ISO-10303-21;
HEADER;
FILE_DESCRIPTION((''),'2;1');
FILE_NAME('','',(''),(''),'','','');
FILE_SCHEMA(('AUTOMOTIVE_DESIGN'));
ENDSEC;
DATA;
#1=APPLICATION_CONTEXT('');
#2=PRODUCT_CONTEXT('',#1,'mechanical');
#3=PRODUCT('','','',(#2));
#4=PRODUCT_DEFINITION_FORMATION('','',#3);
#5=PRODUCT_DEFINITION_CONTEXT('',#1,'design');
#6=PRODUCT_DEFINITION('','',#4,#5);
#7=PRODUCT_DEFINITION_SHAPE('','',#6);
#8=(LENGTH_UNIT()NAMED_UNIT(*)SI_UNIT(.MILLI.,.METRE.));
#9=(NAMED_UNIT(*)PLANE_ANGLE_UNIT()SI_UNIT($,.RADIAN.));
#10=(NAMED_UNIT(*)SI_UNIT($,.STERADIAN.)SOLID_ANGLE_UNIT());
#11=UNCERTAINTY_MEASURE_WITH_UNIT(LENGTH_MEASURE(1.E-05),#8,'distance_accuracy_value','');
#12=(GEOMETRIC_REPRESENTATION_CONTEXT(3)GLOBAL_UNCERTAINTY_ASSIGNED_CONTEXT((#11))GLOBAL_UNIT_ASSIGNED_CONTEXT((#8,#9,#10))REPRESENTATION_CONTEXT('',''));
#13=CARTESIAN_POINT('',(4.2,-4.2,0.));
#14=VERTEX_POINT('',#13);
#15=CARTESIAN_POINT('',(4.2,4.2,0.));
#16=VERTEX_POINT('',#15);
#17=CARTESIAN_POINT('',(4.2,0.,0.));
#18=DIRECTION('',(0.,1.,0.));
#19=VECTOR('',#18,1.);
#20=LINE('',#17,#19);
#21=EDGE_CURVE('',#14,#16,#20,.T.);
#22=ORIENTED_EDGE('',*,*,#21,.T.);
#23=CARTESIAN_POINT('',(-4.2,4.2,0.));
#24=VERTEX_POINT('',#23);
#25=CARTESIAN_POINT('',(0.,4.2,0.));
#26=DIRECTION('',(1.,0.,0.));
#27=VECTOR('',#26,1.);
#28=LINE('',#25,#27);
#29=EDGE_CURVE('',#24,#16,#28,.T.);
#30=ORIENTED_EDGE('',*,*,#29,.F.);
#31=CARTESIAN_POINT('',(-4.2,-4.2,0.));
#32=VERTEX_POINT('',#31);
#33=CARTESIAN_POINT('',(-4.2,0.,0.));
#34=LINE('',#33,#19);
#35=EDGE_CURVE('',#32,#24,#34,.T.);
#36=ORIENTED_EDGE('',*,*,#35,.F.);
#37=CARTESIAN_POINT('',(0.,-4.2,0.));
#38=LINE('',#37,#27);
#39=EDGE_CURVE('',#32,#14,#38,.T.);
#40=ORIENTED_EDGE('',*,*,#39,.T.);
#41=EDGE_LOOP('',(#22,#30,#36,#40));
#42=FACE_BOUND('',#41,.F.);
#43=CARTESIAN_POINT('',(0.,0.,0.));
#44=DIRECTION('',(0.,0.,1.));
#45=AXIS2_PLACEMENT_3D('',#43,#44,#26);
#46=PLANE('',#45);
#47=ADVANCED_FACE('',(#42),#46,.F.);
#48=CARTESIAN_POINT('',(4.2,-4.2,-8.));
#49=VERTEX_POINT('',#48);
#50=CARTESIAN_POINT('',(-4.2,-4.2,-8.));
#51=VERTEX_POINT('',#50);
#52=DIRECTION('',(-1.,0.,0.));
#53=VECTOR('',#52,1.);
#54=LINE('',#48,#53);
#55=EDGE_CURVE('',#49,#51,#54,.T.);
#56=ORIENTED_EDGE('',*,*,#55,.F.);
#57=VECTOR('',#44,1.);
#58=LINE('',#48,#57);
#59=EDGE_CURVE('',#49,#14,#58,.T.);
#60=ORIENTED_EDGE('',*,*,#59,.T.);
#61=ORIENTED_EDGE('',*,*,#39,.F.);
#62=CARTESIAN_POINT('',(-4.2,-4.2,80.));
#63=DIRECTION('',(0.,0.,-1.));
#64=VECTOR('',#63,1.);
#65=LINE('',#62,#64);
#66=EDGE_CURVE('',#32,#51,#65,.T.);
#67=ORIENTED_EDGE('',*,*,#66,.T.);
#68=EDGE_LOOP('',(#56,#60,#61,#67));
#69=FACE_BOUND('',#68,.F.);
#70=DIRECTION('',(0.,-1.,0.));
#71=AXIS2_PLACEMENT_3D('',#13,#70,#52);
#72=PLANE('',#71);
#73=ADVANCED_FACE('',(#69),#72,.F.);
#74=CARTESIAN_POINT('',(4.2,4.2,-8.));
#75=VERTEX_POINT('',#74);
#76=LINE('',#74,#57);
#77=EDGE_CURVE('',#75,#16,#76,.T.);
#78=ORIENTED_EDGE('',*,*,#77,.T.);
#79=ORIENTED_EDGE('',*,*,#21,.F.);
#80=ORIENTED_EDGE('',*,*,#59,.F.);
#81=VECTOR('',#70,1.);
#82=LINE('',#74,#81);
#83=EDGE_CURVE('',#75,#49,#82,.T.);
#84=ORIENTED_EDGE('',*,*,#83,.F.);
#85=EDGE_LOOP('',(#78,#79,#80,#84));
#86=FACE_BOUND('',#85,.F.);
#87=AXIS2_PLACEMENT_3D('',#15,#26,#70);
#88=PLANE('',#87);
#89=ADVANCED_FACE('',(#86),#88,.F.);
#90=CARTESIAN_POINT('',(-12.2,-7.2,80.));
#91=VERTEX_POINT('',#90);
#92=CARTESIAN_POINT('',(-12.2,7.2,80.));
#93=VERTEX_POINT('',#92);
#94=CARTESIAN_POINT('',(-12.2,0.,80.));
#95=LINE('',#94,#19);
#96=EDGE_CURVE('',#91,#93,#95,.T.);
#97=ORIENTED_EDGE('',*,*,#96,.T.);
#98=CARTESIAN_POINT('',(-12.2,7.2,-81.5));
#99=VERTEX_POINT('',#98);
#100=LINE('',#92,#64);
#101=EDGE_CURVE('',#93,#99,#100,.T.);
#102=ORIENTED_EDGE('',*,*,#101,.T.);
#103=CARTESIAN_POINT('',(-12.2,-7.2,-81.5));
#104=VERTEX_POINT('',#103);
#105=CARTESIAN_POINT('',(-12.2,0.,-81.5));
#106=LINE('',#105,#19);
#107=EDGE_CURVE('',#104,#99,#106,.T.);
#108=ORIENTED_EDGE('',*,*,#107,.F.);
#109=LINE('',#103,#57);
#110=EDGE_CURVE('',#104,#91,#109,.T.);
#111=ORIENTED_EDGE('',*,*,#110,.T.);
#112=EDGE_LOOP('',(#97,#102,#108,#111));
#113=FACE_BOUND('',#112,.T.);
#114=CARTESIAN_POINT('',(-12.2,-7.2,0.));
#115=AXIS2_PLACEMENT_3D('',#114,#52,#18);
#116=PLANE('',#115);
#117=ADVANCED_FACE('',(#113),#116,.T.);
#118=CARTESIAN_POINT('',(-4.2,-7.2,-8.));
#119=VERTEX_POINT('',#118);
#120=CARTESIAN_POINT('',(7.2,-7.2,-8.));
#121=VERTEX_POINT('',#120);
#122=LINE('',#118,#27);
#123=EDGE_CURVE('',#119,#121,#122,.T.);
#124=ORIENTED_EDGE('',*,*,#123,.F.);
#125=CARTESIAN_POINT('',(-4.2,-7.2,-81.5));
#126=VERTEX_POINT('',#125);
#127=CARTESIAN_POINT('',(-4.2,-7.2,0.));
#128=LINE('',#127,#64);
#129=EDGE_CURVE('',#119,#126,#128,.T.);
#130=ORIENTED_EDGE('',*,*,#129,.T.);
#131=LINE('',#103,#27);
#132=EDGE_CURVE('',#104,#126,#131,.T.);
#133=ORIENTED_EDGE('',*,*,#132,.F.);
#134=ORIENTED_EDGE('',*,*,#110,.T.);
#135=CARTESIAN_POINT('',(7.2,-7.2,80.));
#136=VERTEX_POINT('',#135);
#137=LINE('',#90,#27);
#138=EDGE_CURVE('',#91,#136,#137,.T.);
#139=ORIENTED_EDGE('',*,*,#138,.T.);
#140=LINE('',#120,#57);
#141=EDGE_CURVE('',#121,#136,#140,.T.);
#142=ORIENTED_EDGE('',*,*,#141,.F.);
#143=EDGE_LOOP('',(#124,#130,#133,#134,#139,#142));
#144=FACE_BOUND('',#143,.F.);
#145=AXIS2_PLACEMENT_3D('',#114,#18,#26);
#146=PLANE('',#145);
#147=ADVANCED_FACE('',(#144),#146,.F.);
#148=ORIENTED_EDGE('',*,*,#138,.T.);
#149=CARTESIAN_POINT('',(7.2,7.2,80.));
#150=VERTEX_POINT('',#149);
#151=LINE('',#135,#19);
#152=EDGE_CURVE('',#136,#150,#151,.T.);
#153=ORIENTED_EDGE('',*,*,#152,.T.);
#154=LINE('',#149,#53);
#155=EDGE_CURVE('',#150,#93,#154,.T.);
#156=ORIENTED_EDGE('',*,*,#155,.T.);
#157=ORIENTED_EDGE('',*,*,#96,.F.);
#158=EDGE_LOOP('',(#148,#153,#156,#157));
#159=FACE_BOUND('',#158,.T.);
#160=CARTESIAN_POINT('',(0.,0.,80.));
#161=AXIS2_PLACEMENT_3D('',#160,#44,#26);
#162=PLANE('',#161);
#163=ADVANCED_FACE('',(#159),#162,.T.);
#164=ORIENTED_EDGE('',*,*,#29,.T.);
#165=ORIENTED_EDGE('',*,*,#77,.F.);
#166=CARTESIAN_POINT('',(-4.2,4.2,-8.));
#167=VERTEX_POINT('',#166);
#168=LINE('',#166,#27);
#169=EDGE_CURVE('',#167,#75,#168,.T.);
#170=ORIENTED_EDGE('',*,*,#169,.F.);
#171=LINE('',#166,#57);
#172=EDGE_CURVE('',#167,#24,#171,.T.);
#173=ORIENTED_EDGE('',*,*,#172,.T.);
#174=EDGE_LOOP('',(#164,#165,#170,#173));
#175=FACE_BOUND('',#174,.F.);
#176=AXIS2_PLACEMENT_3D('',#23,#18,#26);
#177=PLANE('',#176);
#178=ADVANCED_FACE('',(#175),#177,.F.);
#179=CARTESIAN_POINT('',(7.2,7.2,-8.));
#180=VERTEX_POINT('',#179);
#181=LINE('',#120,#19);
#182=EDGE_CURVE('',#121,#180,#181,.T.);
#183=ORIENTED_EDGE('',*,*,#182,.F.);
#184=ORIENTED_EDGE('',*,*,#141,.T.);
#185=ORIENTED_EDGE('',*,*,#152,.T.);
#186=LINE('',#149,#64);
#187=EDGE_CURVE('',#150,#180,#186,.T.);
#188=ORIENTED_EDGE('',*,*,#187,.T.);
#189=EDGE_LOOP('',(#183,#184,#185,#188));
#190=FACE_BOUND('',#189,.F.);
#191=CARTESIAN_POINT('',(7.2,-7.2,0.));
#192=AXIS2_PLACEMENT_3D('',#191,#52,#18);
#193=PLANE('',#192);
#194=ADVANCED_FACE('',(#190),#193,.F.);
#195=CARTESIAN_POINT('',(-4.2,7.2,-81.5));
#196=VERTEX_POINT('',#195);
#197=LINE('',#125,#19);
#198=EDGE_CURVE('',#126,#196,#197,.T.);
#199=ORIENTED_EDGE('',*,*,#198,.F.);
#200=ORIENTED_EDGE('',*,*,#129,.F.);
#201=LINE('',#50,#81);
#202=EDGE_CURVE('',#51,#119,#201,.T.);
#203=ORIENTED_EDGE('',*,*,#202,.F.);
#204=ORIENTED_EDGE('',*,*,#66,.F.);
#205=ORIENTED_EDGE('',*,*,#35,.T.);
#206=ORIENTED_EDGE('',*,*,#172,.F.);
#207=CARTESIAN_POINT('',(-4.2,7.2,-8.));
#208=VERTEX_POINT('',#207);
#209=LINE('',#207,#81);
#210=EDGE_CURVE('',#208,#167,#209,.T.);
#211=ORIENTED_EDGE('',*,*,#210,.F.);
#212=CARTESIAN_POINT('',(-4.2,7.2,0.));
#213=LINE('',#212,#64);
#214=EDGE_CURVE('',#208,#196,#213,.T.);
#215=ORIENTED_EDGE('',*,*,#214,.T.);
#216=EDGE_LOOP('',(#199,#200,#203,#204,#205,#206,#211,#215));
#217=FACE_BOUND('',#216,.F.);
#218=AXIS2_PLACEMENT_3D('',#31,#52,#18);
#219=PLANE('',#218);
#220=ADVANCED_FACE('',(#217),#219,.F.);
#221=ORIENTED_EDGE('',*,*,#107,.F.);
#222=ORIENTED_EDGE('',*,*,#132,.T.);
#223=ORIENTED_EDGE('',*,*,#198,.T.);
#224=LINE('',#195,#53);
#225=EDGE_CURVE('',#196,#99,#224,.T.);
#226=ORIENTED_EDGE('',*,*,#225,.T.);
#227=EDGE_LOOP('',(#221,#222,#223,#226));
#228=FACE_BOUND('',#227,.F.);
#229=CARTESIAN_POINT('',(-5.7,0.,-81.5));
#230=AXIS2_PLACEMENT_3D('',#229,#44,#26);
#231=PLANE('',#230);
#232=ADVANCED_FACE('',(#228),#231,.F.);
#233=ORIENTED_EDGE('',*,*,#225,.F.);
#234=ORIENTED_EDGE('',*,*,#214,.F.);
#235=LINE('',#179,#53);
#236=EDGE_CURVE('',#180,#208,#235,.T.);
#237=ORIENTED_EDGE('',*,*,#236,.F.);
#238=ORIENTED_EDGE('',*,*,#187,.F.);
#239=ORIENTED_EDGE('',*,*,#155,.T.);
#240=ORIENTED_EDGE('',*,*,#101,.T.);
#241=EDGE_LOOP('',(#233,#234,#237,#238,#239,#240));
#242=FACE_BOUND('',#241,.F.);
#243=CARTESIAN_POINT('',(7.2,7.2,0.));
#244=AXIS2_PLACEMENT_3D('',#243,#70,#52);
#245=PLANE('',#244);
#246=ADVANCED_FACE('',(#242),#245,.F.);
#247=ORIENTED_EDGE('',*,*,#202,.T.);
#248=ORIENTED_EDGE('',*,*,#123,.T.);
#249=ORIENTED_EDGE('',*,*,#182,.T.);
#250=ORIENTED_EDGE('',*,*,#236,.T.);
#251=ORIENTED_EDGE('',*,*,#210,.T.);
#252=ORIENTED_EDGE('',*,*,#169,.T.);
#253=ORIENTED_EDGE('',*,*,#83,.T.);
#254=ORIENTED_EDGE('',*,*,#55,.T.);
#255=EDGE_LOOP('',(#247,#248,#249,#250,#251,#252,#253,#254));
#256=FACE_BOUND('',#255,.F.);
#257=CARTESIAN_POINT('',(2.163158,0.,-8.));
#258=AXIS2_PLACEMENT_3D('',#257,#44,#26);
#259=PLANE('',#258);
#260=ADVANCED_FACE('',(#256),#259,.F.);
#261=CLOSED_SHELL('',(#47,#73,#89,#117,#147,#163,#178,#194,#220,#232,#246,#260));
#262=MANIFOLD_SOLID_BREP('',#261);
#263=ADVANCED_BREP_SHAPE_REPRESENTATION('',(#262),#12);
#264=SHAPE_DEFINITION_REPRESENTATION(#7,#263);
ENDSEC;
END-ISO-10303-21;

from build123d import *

# Parameters (mm, degrees)
F0_W     = 5
F0_H     = 14.4
F1_DEPTH = 81.5
F2_DEPTH = 8
F3_DEPTH = 80
F4_W     = 8.4
F4_H     = 8.4
F5_DEPTH = 80


with BuildPart() as f1:
    # F0 (on Top) → F1 (new body)
    with BuildSketch(Plane.XY):
        Polygon((-4.2, -4.2), (-4.2, 4.2), (-4.2, 7.2), (-7.2, 7.2), (-7.2, -7.2), (-4.2, -7.2), align=None)
        with Locations((-9.7, 0)):
            Rectangle(F0_W, F0_H)
    extrude(amount=-F1_DEPTH)

    # F0 (on Top) → F2 (join)
    with BuildSketch(Plane.XY):
        Polygon((-4.2, 7.2), (-4.2, 4.2), (4.2, 4.2), (4.2, -4.2), (-4.2, -4.2), (-4.2, -7.2), (7.2, -7.2), (7.2, 7.2), align=None)
    extrude(amount=-F2_DEPTH)

    # F0 (on Top) → F3 (join)
    with BuildSketch(Plane.XY):
        with Locations((-9.7, 0)):
            Rectangle(F0_W, F0_H)
        Polygon((-4.2, -4.2), (-4.2, 4.2), (-4.2, 7.2), (-7.2, 7.2), (-7.2, -7.2), (-4.2, -7.2), align=None)
        Polygon((-4.2, 7.2), (-4.2, 4.2), (4.2, 4.2), (4.2, -4.2), (-4.2, -4.2), (-4.2, -7.2), (7.2, -7.2), (7.2, 7.2), align=None)
    extrude(amount=F3_DEPTH)

    # F4 (on face) → F5 (join)
    with BuildSketch(Plane.XY.offset(80)):
        Rectangle(F4_W, F4_H)
    extrude(amount=-F5_DEPTH)


solid = f1.part
